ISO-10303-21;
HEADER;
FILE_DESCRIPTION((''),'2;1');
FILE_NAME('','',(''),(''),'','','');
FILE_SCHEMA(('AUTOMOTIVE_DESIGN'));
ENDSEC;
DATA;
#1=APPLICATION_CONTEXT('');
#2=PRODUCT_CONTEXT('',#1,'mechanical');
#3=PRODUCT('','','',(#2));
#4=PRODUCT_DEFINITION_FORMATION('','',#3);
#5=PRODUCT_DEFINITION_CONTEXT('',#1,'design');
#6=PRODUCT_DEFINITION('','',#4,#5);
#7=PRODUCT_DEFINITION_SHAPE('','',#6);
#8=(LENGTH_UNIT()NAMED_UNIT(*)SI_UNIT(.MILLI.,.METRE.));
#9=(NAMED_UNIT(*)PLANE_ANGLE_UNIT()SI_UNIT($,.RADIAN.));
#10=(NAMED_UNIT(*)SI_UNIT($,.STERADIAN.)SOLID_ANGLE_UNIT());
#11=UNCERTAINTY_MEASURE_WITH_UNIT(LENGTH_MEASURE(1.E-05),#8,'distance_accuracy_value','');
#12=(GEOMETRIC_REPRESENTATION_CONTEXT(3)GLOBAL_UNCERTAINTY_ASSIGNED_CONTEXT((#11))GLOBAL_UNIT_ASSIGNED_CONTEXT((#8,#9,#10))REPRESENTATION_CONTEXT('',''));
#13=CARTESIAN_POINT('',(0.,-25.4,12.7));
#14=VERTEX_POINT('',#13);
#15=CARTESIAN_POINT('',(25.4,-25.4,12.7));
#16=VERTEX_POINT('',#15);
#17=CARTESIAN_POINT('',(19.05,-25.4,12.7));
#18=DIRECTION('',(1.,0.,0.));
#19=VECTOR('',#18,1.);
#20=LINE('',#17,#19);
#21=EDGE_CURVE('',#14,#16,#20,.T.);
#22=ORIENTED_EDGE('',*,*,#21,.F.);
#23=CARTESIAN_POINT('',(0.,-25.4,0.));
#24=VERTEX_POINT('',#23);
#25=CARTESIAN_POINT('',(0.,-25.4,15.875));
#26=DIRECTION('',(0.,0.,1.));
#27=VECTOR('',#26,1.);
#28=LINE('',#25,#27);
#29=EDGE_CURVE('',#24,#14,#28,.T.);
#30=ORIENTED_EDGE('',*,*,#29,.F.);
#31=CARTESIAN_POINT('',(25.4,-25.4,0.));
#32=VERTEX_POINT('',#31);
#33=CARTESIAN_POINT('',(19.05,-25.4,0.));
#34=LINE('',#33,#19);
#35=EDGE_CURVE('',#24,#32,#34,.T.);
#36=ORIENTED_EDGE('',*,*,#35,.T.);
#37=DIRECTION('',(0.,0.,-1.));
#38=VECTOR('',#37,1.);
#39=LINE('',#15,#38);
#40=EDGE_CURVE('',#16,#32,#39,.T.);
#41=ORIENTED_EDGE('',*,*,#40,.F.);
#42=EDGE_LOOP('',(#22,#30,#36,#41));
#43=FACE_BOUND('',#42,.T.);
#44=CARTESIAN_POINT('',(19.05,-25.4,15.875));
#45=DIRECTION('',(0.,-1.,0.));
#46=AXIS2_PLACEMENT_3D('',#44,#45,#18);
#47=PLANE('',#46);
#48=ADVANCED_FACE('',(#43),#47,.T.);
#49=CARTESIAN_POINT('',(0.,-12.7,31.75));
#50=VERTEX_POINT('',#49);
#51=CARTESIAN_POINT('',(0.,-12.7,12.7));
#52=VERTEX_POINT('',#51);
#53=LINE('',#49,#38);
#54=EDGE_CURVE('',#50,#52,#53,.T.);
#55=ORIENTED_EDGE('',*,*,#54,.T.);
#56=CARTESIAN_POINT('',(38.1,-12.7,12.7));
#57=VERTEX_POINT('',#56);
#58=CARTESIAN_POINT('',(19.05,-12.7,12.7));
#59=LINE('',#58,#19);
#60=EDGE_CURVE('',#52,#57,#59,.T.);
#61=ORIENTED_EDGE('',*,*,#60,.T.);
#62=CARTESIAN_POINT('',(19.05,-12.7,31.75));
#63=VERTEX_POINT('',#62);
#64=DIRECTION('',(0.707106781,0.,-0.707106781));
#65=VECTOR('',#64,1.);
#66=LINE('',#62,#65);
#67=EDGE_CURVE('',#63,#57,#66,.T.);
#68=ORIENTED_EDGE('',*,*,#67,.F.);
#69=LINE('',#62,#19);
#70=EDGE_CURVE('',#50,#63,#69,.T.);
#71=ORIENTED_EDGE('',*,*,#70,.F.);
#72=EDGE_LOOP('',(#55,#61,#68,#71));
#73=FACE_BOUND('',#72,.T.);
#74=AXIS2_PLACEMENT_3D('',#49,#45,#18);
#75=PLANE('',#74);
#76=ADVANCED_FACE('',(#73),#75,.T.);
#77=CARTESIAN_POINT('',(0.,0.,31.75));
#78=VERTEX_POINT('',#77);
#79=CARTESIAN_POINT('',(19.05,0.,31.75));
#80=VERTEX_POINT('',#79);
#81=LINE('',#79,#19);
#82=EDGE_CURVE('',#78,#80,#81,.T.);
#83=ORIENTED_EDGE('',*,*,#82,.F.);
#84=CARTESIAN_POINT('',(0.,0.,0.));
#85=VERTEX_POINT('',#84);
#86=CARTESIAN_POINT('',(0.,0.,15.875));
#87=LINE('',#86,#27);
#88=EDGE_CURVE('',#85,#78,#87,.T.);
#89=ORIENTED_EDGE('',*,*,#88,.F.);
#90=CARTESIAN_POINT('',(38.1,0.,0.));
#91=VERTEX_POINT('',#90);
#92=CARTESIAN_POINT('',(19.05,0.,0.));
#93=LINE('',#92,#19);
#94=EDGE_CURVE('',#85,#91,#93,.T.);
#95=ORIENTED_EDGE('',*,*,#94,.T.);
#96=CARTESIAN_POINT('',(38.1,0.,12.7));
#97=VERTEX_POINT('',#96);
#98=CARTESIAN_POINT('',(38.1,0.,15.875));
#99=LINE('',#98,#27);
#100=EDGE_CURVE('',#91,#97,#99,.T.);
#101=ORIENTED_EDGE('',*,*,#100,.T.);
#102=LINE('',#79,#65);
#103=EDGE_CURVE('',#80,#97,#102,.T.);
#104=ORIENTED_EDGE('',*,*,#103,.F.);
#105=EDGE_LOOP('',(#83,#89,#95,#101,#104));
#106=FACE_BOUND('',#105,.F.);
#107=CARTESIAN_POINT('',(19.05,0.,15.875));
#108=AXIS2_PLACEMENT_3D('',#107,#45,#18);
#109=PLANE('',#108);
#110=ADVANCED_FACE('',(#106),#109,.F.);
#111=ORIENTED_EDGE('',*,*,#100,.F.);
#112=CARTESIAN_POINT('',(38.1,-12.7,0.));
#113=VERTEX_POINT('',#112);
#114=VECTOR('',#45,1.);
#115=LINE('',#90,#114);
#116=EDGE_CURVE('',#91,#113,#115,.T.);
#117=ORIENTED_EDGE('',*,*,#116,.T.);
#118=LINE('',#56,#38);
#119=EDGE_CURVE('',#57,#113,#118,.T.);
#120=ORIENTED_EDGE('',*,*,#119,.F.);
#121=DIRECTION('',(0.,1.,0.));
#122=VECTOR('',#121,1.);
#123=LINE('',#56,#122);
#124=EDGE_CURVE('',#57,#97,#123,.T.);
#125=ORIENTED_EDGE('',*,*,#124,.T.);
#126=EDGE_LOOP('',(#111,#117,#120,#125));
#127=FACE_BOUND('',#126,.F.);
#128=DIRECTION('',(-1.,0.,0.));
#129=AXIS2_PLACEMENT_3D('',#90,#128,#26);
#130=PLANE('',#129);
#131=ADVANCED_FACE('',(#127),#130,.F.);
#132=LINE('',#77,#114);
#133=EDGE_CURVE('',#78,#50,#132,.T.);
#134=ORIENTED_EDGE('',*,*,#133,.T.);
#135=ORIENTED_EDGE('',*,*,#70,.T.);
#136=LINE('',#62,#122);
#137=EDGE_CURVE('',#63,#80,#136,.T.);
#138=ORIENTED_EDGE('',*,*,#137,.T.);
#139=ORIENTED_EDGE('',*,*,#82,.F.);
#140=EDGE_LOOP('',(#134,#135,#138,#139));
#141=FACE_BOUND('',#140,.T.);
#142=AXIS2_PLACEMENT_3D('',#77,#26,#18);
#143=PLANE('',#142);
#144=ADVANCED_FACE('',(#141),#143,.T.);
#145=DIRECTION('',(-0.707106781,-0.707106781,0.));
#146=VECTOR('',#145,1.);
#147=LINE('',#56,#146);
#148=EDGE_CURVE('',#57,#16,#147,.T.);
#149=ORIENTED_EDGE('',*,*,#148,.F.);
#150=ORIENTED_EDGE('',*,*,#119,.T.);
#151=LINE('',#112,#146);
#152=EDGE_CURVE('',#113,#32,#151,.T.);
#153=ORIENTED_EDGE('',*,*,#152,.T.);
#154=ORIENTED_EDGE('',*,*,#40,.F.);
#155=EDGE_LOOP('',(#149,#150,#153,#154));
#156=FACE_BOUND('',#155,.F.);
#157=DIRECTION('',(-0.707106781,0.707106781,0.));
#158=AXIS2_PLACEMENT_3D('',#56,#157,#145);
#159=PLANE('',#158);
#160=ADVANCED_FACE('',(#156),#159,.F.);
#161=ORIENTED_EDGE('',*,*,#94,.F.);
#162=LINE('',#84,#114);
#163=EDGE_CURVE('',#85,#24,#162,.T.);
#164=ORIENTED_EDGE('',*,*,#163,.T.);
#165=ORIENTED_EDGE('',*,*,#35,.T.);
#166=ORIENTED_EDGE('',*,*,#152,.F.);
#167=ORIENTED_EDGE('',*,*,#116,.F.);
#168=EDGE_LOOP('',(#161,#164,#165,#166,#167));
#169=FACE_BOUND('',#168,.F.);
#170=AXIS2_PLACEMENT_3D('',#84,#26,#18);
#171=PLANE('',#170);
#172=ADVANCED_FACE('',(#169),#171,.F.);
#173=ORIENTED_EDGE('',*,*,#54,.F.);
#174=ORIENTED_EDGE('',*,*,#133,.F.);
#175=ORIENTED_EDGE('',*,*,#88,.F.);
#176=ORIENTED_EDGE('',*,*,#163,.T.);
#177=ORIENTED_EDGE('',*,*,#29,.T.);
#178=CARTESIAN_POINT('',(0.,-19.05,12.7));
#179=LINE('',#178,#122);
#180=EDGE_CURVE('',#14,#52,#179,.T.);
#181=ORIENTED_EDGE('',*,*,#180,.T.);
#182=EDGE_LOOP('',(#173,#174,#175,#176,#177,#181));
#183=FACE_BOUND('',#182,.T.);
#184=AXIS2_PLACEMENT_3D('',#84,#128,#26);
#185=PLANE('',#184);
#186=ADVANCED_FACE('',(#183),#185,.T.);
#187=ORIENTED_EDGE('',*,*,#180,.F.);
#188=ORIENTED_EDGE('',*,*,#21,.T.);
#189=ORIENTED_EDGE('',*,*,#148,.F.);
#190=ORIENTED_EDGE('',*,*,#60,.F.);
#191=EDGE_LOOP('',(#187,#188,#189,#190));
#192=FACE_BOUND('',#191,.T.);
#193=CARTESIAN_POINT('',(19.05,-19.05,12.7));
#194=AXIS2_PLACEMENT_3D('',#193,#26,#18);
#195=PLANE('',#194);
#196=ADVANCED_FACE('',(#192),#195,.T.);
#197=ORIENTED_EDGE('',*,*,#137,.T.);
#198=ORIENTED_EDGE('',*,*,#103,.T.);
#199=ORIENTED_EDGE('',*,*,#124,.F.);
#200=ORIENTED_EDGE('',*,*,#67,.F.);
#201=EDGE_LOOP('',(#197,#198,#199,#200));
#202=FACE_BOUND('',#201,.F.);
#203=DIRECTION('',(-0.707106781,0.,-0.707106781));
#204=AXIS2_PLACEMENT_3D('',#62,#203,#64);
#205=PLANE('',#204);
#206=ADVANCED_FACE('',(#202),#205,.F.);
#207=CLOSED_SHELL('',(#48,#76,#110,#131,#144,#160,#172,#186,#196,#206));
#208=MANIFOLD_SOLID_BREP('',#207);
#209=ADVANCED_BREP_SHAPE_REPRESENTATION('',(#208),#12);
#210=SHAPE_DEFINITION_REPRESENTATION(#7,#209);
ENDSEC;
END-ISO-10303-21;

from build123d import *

# Parameters (mm, degrees)
F0_W     = 38.1
F0_H     = 31.75
F1_DEPTH = 25.4
F2_W     = 38.1
F2_H     = 12.7
F3_DEPTH = 19.05
F6_DEPTH = 12.7
F7_DEPTH = 12.7


with BuildPart() as f1:
    # F0 (on Front) → F1 (new body)
    with BuildSketch(Plane.XZ):
        with Locations((19.05, 15.875)):
            Rectangle(F0_W, F0_H)
    extrude(amount=F1_DEPTH)

    # F2 (on face) → F3 (cut)
    with BuildSketch(Plane.XY.offset(31.75)):
        with Locations((19.05, -19.05)):
            Rectangle(F2_W, F2_H)
    extrude(amount=-F3_DEPTH, mode=Mode.SUBTRACT)

    # F5 (on face) → F6 (cut)
    with BuildSketch(Plane.XZ.offset(12.7)):
        Polygon((38.1, 31.75), (19.05, 31.75), (38.1, 12.7), align=None)
    extrude(amount=-F6_DEPTH, mode=Mode.SUBTRACT)

    # F4 (on face) → F7 (cut)
    with BuildSketch(Plane.XY.offset(12.7)):
        Polygon((25.4, -25.4), (38.1, -25.4), (38.1, -12.7), align=None)
    extrude(amount=-F7_DEPTH, mode=Mode.SUBTRACT)


solid = f1.part
